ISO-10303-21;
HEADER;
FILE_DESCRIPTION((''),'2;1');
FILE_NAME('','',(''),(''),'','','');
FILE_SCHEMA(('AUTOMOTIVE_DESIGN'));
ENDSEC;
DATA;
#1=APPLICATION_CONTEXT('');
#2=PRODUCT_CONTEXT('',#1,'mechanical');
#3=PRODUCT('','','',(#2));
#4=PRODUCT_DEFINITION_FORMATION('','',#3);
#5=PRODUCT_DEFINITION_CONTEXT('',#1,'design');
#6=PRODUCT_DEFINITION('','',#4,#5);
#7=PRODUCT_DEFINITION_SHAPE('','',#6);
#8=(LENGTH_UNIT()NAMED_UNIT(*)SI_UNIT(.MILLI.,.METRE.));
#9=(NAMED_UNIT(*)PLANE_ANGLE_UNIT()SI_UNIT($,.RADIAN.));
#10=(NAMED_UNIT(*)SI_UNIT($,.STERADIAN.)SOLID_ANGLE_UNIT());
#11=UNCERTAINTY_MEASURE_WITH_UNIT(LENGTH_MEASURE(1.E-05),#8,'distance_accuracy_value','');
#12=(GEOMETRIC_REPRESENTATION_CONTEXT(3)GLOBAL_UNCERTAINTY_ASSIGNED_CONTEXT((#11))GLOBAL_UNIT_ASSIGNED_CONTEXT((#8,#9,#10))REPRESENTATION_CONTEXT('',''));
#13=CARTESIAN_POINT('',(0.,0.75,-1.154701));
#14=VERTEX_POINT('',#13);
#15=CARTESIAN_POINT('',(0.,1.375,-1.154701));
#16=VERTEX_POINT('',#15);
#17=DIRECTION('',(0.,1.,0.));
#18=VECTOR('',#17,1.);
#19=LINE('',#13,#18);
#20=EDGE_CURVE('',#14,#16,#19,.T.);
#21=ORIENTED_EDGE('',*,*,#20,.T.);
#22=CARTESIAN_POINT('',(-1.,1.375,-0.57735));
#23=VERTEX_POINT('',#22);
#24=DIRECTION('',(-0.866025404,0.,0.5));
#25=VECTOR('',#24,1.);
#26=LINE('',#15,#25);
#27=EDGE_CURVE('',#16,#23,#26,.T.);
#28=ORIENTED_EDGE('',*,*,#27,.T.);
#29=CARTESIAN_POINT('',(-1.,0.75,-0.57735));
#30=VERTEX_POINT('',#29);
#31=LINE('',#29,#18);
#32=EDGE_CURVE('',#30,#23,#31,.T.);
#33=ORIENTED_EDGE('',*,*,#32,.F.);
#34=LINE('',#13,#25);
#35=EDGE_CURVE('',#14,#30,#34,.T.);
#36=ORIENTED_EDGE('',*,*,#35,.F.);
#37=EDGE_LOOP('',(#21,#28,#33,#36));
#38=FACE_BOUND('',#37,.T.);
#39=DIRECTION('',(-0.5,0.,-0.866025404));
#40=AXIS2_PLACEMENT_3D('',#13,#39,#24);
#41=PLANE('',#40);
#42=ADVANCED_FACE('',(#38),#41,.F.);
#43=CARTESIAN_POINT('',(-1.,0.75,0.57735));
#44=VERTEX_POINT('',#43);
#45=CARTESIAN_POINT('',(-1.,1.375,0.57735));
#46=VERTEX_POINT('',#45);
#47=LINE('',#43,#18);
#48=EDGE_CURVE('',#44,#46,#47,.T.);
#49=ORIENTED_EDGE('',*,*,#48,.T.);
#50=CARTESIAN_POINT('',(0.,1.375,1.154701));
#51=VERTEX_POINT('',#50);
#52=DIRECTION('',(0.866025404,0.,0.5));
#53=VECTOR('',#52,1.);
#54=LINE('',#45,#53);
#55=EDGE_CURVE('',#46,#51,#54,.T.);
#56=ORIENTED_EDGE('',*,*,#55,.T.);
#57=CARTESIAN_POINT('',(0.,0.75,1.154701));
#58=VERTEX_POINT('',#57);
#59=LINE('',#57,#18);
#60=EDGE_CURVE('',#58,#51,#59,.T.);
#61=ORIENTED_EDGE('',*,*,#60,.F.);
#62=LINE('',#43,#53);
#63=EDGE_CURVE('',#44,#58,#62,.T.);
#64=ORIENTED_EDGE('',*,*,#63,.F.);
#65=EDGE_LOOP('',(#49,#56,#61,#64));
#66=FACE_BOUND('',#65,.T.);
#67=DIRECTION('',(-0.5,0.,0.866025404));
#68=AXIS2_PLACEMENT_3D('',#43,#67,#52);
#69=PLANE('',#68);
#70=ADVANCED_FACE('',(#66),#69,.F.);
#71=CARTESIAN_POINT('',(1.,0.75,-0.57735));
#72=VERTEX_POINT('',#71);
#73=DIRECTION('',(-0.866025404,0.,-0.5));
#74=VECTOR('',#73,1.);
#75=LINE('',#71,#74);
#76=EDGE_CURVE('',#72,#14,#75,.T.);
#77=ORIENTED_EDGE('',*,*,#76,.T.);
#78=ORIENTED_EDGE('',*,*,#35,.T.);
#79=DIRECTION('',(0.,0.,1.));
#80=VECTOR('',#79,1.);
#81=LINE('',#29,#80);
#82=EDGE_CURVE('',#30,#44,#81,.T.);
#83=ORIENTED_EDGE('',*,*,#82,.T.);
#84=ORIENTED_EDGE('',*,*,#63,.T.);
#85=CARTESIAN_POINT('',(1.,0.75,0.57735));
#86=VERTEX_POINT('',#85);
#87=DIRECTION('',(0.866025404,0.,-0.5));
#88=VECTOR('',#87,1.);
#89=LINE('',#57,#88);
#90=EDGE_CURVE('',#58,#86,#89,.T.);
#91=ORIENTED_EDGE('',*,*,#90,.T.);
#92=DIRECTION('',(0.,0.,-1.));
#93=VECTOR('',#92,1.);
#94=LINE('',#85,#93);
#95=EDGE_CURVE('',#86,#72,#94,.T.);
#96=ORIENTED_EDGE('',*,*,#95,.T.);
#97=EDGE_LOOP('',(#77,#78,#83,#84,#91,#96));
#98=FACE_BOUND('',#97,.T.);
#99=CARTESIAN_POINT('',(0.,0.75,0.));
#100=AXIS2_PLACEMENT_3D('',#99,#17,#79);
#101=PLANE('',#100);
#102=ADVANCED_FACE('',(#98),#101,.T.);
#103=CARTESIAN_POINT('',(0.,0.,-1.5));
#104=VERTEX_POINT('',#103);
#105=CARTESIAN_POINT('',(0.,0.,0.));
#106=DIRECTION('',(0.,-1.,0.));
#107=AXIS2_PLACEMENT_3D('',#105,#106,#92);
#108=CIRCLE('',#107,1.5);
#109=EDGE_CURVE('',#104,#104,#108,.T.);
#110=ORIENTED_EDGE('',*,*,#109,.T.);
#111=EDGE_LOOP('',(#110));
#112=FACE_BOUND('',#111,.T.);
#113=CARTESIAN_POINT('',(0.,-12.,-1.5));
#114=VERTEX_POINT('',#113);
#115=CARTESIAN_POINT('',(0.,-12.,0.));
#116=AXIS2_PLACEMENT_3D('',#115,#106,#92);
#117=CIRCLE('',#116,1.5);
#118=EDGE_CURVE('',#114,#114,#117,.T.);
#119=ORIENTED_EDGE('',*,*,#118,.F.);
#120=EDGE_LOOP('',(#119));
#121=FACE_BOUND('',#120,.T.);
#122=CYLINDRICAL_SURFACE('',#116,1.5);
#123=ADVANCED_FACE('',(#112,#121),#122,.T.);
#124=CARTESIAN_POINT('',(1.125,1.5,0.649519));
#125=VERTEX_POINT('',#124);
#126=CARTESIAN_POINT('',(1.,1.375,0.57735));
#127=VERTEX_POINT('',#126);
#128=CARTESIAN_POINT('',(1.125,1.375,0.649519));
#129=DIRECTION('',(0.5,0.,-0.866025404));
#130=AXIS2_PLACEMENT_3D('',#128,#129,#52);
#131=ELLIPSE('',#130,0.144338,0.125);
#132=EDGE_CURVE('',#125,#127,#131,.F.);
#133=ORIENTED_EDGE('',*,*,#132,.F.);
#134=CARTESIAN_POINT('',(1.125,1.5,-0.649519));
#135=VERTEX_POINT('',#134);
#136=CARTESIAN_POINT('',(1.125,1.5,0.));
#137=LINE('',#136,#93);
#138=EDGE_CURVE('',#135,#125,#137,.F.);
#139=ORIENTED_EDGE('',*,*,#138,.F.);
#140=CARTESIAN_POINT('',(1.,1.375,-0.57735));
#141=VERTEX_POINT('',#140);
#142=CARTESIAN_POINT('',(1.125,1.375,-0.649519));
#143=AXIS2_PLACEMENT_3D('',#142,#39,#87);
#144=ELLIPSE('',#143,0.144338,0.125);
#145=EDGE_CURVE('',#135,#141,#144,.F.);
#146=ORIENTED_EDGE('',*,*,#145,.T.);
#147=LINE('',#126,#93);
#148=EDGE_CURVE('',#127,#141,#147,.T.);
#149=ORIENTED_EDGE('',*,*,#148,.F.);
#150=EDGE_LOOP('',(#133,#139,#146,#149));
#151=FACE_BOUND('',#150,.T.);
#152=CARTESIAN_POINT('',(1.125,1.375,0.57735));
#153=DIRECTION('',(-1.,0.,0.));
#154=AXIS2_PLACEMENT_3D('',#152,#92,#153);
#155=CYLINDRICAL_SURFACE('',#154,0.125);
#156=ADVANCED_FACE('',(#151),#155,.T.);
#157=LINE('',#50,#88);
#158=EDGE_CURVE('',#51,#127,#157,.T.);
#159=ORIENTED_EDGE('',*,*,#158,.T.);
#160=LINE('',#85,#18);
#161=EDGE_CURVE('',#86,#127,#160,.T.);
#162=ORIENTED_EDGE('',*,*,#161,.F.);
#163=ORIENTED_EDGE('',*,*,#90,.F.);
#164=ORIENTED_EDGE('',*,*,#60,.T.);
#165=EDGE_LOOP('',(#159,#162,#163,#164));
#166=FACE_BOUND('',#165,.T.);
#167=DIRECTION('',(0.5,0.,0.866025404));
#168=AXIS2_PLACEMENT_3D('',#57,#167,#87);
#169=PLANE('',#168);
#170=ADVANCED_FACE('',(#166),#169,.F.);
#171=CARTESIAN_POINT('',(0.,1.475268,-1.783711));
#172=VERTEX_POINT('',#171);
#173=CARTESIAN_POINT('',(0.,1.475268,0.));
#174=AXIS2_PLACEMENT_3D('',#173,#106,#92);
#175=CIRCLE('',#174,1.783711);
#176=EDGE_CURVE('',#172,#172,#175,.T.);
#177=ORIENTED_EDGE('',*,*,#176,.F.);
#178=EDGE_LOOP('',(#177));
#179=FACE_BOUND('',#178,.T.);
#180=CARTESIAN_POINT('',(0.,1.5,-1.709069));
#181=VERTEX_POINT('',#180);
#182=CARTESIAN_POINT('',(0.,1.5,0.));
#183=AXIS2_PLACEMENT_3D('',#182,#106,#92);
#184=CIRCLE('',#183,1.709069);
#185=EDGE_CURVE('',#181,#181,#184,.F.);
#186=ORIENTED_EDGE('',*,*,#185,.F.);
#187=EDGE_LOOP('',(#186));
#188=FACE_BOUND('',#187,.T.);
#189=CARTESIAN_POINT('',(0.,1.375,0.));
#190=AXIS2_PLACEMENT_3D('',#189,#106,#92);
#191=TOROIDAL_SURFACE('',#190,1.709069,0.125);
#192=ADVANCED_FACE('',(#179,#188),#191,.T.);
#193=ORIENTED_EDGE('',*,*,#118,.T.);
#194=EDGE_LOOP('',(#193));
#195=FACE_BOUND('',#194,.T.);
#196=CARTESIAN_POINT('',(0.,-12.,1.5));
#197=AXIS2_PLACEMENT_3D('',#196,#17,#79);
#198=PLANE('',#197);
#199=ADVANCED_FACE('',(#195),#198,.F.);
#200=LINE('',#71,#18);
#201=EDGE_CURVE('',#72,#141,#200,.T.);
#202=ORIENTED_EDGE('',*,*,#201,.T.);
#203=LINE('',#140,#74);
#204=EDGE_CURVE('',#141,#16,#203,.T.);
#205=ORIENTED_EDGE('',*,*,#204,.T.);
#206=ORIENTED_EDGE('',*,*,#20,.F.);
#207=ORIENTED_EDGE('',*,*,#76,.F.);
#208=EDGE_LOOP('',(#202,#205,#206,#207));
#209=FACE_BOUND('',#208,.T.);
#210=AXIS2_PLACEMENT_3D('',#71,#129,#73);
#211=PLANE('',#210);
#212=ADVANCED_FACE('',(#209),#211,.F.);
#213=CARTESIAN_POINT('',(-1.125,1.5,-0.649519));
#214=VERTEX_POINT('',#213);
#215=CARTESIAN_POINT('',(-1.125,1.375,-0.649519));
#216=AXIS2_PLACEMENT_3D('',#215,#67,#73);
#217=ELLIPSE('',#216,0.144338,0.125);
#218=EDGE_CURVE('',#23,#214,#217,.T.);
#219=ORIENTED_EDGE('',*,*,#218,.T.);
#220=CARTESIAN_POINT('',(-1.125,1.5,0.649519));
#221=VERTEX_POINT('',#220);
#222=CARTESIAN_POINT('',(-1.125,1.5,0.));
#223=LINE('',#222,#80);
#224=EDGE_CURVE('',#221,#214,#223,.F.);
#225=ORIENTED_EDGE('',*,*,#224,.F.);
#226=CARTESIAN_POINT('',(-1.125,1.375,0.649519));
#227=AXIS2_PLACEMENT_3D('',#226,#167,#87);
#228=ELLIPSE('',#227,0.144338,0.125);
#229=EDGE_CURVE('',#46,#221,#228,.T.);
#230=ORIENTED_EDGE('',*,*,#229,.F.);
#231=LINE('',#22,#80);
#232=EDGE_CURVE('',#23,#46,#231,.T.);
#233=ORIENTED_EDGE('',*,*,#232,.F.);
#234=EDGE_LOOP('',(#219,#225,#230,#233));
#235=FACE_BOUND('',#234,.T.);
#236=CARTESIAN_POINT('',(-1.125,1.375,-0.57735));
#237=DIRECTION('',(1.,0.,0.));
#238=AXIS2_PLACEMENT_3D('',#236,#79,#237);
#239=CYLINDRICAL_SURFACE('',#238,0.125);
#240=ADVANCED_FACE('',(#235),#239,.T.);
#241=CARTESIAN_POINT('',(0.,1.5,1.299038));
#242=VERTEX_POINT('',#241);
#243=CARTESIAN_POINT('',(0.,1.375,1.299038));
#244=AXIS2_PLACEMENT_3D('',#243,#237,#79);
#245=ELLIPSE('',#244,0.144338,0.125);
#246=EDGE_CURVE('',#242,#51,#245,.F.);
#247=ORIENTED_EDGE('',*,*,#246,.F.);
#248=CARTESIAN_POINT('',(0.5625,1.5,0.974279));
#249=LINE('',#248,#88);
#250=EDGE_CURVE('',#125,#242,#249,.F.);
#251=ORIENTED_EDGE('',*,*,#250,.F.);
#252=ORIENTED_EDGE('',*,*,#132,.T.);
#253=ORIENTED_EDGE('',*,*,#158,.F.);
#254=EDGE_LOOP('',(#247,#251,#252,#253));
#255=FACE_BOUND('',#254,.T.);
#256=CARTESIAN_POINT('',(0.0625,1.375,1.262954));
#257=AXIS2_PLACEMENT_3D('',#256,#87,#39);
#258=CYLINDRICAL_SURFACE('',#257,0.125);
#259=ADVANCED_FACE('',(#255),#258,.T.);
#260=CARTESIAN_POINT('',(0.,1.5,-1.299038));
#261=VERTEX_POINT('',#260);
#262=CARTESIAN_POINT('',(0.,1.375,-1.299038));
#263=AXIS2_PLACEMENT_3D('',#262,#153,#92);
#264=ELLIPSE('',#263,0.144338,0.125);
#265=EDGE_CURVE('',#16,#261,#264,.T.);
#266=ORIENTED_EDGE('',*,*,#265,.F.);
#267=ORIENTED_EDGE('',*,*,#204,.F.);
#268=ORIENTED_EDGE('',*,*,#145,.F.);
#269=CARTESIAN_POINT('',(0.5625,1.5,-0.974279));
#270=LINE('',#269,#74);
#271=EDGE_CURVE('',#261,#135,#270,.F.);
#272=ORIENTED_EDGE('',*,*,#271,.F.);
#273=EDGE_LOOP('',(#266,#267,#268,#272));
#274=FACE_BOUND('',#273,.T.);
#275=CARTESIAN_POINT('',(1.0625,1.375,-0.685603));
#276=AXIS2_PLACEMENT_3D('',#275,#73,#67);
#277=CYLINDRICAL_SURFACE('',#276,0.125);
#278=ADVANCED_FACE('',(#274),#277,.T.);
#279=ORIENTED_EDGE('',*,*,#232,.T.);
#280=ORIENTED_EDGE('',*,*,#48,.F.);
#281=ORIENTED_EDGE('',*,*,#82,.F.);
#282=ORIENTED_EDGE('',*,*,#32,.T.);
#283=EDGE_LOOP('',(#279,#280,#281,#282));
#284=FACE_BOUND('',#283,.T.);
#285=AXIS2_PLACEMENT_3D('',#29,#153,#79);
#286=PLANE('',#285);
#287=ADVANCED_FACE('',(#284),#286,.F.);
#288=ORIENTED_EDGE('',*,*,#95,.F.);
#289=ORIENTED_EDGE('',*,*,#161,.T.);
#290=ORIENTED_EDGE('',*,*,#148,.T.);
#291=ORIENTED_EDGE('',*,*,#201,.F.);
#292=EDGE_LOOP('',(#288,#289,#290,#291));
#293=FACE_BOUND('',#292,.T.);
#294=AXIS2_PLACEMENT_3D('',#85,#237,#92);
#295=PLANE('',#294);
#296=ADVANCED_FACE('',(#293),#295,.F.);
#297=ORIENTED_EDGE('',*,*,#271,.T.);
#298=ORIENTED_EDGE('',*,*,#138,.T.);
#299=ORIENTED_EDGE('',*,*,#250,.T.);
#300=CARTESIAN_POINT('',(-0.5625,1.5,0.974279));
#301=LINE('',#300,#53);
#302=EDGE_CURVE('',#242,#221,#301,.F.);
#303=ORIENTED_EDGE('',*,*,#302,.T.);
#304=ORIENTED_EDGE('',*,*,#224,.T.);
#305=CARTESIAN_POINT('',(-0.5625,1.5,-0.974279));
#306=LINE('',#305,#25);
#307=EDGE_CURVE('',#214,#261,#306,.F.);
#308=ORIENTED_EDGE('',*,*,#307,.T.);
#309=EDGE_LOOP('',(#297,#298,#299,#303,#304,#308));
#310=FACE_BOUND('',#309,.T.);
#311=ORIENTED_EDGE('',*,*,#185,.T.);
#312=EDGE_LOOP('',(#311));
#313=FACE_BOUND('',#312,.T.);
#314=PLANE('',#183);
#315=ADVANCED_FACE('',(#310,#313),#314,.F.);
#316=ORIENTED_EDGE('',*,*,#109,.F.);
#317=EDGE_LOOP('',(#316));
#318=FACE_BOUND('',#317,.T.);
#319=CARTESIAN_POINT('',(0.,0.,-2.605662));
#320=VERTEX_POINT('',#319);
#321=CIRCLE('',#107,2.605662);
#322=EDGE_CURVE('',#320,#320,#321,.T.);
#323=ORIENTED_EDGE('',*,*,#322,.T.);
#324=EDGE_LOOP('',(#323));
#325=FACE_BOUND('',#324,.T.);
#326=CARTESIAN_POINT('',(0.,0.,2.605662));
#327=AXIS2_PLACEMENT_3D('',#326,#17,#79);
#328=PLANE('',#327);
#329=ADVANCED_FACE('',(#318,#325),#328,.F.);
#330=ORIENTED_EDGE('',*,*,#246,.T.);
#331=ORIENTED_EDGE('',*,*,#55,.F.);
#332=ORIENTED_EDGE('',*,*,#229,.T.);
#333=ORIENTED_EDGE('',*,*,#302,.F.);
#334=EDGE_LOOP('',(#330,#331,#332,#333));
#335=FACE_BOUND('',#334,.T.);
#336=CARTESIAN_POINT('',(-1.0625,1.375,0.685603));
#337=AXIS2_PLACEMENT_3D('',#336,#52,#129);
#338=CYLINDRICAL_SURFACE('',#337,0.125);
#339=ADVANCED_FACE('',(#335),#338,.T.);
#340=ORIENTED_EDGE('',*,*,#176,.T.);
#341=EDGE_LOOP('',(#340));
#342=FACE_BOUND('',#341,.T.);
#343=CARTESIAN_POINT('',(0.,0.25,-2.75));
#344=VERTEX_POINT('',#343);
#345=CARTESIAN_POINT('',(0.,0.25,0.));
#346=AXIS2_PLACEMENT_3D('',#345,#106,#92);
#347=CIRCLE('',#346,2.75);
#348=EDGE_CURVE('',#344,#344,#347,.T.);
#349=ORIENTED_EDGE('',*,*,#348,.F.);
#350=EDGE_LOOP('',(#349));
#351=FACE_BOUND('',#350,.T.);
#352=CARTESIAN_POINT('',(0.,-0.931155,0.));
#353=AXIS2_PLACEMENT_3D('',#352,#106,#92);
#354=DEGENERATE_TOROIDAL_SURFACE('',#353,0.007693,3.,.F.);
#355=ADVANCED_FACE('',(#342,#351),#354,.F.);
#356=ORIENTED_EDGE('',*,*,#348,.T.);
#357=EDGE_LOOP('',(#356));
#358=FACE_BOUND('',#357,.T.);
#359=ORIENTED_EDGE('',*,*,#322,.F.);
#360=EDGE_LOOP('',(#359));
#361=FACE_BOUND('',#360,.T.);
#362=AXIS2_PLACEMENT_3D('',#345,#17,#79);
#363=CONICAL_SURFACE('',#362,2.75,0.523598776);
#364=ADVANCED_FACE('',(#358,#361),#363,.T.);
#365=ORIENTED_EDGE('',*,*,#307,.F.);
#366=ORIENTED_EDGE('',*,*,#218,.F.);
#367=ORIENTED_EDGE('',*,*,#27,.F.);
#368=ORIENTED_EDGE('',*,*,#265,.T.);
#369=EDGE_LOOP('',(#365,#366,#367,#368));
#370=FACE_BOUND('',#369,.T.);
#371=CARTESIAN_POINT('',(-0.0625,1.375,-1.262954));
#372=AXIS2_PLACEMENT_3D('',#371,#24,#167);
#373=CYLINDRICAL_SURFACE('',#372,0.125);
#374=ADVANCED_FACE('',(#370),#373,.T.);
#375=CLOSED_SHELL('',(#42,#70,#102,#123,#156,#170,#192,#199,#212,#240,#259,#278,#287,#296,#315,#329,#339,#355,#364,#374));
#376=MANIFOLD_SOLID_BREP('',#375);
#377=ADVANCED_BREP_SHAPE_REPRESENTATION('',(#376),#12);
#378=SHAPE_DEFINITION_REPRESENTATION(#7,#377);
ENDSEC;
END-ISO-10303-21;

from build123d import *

# Parameters (mm, degrees)
CUT_EXTRUDE1_DEPTH = 0.75
FILLET1_R          = 0.125


with BuildPart() as part:
    # Sketch1 → Revolve1 (revolve)
    with BuildSketch(Plane(origin=(0, 0, 0), x_dir=(0, 0, -1), z_dir=(1, 0, 0))):
        with BuildLine():
            Line((0, 1.5), (-1.75, 1.5))
            ThreePointArc((-1.75, 1.5), (-2.334912942, 0.942930354), (-2.75, 0.25))
            Line((-2.75, 0.25), (-2.605662433, 0))
            Line((-2.605662433, 0), (-1.5, 0))
            Line((-1.5, 0), (-1.5, -12))
            Line((-1.5, -12), (0, -12))
            Line((0, -12), (0, 1.5))
        make_face()
    revolve(axis=Axis((0, -12, 0), (0, 1, 0)))

    # Sketch2 → Cut-Extrude1 (cut)
    with BuildSketch(Plane(origin=(0, 1.5, 0), x_dir=(1, 0, 0), z_dir=(0, 1, 0))):
        Polygon((0, 1.154700538), (-1, 0.577350269), (-1, -0.577350269), (0, -1.154700538), (1, -0.577350269), (1, 0.577350269), align=None)
    extrude(amount=-CUT_EXTRUDE1_DEPTH, mode=Mode.SUBTRACT)

    # Fillet1
    fillet1_edges = [part.edges().sort_by_distance(p)[0] for p in [
        (0.5, 1.5, -0.866025404),
        (-0.5, 1.5, -0.866025404),
        (-1, 1.5, 0),
        (-0.5, 1.5, 0.866025404),
        (0.5, 1.5, 0.866025404),
        (1, 1.5, 0),
        (0, 1.5, -1.75),
    ]]
    fillet(fillet1_edges, radius=FILLET1_R)


solid = part.part
